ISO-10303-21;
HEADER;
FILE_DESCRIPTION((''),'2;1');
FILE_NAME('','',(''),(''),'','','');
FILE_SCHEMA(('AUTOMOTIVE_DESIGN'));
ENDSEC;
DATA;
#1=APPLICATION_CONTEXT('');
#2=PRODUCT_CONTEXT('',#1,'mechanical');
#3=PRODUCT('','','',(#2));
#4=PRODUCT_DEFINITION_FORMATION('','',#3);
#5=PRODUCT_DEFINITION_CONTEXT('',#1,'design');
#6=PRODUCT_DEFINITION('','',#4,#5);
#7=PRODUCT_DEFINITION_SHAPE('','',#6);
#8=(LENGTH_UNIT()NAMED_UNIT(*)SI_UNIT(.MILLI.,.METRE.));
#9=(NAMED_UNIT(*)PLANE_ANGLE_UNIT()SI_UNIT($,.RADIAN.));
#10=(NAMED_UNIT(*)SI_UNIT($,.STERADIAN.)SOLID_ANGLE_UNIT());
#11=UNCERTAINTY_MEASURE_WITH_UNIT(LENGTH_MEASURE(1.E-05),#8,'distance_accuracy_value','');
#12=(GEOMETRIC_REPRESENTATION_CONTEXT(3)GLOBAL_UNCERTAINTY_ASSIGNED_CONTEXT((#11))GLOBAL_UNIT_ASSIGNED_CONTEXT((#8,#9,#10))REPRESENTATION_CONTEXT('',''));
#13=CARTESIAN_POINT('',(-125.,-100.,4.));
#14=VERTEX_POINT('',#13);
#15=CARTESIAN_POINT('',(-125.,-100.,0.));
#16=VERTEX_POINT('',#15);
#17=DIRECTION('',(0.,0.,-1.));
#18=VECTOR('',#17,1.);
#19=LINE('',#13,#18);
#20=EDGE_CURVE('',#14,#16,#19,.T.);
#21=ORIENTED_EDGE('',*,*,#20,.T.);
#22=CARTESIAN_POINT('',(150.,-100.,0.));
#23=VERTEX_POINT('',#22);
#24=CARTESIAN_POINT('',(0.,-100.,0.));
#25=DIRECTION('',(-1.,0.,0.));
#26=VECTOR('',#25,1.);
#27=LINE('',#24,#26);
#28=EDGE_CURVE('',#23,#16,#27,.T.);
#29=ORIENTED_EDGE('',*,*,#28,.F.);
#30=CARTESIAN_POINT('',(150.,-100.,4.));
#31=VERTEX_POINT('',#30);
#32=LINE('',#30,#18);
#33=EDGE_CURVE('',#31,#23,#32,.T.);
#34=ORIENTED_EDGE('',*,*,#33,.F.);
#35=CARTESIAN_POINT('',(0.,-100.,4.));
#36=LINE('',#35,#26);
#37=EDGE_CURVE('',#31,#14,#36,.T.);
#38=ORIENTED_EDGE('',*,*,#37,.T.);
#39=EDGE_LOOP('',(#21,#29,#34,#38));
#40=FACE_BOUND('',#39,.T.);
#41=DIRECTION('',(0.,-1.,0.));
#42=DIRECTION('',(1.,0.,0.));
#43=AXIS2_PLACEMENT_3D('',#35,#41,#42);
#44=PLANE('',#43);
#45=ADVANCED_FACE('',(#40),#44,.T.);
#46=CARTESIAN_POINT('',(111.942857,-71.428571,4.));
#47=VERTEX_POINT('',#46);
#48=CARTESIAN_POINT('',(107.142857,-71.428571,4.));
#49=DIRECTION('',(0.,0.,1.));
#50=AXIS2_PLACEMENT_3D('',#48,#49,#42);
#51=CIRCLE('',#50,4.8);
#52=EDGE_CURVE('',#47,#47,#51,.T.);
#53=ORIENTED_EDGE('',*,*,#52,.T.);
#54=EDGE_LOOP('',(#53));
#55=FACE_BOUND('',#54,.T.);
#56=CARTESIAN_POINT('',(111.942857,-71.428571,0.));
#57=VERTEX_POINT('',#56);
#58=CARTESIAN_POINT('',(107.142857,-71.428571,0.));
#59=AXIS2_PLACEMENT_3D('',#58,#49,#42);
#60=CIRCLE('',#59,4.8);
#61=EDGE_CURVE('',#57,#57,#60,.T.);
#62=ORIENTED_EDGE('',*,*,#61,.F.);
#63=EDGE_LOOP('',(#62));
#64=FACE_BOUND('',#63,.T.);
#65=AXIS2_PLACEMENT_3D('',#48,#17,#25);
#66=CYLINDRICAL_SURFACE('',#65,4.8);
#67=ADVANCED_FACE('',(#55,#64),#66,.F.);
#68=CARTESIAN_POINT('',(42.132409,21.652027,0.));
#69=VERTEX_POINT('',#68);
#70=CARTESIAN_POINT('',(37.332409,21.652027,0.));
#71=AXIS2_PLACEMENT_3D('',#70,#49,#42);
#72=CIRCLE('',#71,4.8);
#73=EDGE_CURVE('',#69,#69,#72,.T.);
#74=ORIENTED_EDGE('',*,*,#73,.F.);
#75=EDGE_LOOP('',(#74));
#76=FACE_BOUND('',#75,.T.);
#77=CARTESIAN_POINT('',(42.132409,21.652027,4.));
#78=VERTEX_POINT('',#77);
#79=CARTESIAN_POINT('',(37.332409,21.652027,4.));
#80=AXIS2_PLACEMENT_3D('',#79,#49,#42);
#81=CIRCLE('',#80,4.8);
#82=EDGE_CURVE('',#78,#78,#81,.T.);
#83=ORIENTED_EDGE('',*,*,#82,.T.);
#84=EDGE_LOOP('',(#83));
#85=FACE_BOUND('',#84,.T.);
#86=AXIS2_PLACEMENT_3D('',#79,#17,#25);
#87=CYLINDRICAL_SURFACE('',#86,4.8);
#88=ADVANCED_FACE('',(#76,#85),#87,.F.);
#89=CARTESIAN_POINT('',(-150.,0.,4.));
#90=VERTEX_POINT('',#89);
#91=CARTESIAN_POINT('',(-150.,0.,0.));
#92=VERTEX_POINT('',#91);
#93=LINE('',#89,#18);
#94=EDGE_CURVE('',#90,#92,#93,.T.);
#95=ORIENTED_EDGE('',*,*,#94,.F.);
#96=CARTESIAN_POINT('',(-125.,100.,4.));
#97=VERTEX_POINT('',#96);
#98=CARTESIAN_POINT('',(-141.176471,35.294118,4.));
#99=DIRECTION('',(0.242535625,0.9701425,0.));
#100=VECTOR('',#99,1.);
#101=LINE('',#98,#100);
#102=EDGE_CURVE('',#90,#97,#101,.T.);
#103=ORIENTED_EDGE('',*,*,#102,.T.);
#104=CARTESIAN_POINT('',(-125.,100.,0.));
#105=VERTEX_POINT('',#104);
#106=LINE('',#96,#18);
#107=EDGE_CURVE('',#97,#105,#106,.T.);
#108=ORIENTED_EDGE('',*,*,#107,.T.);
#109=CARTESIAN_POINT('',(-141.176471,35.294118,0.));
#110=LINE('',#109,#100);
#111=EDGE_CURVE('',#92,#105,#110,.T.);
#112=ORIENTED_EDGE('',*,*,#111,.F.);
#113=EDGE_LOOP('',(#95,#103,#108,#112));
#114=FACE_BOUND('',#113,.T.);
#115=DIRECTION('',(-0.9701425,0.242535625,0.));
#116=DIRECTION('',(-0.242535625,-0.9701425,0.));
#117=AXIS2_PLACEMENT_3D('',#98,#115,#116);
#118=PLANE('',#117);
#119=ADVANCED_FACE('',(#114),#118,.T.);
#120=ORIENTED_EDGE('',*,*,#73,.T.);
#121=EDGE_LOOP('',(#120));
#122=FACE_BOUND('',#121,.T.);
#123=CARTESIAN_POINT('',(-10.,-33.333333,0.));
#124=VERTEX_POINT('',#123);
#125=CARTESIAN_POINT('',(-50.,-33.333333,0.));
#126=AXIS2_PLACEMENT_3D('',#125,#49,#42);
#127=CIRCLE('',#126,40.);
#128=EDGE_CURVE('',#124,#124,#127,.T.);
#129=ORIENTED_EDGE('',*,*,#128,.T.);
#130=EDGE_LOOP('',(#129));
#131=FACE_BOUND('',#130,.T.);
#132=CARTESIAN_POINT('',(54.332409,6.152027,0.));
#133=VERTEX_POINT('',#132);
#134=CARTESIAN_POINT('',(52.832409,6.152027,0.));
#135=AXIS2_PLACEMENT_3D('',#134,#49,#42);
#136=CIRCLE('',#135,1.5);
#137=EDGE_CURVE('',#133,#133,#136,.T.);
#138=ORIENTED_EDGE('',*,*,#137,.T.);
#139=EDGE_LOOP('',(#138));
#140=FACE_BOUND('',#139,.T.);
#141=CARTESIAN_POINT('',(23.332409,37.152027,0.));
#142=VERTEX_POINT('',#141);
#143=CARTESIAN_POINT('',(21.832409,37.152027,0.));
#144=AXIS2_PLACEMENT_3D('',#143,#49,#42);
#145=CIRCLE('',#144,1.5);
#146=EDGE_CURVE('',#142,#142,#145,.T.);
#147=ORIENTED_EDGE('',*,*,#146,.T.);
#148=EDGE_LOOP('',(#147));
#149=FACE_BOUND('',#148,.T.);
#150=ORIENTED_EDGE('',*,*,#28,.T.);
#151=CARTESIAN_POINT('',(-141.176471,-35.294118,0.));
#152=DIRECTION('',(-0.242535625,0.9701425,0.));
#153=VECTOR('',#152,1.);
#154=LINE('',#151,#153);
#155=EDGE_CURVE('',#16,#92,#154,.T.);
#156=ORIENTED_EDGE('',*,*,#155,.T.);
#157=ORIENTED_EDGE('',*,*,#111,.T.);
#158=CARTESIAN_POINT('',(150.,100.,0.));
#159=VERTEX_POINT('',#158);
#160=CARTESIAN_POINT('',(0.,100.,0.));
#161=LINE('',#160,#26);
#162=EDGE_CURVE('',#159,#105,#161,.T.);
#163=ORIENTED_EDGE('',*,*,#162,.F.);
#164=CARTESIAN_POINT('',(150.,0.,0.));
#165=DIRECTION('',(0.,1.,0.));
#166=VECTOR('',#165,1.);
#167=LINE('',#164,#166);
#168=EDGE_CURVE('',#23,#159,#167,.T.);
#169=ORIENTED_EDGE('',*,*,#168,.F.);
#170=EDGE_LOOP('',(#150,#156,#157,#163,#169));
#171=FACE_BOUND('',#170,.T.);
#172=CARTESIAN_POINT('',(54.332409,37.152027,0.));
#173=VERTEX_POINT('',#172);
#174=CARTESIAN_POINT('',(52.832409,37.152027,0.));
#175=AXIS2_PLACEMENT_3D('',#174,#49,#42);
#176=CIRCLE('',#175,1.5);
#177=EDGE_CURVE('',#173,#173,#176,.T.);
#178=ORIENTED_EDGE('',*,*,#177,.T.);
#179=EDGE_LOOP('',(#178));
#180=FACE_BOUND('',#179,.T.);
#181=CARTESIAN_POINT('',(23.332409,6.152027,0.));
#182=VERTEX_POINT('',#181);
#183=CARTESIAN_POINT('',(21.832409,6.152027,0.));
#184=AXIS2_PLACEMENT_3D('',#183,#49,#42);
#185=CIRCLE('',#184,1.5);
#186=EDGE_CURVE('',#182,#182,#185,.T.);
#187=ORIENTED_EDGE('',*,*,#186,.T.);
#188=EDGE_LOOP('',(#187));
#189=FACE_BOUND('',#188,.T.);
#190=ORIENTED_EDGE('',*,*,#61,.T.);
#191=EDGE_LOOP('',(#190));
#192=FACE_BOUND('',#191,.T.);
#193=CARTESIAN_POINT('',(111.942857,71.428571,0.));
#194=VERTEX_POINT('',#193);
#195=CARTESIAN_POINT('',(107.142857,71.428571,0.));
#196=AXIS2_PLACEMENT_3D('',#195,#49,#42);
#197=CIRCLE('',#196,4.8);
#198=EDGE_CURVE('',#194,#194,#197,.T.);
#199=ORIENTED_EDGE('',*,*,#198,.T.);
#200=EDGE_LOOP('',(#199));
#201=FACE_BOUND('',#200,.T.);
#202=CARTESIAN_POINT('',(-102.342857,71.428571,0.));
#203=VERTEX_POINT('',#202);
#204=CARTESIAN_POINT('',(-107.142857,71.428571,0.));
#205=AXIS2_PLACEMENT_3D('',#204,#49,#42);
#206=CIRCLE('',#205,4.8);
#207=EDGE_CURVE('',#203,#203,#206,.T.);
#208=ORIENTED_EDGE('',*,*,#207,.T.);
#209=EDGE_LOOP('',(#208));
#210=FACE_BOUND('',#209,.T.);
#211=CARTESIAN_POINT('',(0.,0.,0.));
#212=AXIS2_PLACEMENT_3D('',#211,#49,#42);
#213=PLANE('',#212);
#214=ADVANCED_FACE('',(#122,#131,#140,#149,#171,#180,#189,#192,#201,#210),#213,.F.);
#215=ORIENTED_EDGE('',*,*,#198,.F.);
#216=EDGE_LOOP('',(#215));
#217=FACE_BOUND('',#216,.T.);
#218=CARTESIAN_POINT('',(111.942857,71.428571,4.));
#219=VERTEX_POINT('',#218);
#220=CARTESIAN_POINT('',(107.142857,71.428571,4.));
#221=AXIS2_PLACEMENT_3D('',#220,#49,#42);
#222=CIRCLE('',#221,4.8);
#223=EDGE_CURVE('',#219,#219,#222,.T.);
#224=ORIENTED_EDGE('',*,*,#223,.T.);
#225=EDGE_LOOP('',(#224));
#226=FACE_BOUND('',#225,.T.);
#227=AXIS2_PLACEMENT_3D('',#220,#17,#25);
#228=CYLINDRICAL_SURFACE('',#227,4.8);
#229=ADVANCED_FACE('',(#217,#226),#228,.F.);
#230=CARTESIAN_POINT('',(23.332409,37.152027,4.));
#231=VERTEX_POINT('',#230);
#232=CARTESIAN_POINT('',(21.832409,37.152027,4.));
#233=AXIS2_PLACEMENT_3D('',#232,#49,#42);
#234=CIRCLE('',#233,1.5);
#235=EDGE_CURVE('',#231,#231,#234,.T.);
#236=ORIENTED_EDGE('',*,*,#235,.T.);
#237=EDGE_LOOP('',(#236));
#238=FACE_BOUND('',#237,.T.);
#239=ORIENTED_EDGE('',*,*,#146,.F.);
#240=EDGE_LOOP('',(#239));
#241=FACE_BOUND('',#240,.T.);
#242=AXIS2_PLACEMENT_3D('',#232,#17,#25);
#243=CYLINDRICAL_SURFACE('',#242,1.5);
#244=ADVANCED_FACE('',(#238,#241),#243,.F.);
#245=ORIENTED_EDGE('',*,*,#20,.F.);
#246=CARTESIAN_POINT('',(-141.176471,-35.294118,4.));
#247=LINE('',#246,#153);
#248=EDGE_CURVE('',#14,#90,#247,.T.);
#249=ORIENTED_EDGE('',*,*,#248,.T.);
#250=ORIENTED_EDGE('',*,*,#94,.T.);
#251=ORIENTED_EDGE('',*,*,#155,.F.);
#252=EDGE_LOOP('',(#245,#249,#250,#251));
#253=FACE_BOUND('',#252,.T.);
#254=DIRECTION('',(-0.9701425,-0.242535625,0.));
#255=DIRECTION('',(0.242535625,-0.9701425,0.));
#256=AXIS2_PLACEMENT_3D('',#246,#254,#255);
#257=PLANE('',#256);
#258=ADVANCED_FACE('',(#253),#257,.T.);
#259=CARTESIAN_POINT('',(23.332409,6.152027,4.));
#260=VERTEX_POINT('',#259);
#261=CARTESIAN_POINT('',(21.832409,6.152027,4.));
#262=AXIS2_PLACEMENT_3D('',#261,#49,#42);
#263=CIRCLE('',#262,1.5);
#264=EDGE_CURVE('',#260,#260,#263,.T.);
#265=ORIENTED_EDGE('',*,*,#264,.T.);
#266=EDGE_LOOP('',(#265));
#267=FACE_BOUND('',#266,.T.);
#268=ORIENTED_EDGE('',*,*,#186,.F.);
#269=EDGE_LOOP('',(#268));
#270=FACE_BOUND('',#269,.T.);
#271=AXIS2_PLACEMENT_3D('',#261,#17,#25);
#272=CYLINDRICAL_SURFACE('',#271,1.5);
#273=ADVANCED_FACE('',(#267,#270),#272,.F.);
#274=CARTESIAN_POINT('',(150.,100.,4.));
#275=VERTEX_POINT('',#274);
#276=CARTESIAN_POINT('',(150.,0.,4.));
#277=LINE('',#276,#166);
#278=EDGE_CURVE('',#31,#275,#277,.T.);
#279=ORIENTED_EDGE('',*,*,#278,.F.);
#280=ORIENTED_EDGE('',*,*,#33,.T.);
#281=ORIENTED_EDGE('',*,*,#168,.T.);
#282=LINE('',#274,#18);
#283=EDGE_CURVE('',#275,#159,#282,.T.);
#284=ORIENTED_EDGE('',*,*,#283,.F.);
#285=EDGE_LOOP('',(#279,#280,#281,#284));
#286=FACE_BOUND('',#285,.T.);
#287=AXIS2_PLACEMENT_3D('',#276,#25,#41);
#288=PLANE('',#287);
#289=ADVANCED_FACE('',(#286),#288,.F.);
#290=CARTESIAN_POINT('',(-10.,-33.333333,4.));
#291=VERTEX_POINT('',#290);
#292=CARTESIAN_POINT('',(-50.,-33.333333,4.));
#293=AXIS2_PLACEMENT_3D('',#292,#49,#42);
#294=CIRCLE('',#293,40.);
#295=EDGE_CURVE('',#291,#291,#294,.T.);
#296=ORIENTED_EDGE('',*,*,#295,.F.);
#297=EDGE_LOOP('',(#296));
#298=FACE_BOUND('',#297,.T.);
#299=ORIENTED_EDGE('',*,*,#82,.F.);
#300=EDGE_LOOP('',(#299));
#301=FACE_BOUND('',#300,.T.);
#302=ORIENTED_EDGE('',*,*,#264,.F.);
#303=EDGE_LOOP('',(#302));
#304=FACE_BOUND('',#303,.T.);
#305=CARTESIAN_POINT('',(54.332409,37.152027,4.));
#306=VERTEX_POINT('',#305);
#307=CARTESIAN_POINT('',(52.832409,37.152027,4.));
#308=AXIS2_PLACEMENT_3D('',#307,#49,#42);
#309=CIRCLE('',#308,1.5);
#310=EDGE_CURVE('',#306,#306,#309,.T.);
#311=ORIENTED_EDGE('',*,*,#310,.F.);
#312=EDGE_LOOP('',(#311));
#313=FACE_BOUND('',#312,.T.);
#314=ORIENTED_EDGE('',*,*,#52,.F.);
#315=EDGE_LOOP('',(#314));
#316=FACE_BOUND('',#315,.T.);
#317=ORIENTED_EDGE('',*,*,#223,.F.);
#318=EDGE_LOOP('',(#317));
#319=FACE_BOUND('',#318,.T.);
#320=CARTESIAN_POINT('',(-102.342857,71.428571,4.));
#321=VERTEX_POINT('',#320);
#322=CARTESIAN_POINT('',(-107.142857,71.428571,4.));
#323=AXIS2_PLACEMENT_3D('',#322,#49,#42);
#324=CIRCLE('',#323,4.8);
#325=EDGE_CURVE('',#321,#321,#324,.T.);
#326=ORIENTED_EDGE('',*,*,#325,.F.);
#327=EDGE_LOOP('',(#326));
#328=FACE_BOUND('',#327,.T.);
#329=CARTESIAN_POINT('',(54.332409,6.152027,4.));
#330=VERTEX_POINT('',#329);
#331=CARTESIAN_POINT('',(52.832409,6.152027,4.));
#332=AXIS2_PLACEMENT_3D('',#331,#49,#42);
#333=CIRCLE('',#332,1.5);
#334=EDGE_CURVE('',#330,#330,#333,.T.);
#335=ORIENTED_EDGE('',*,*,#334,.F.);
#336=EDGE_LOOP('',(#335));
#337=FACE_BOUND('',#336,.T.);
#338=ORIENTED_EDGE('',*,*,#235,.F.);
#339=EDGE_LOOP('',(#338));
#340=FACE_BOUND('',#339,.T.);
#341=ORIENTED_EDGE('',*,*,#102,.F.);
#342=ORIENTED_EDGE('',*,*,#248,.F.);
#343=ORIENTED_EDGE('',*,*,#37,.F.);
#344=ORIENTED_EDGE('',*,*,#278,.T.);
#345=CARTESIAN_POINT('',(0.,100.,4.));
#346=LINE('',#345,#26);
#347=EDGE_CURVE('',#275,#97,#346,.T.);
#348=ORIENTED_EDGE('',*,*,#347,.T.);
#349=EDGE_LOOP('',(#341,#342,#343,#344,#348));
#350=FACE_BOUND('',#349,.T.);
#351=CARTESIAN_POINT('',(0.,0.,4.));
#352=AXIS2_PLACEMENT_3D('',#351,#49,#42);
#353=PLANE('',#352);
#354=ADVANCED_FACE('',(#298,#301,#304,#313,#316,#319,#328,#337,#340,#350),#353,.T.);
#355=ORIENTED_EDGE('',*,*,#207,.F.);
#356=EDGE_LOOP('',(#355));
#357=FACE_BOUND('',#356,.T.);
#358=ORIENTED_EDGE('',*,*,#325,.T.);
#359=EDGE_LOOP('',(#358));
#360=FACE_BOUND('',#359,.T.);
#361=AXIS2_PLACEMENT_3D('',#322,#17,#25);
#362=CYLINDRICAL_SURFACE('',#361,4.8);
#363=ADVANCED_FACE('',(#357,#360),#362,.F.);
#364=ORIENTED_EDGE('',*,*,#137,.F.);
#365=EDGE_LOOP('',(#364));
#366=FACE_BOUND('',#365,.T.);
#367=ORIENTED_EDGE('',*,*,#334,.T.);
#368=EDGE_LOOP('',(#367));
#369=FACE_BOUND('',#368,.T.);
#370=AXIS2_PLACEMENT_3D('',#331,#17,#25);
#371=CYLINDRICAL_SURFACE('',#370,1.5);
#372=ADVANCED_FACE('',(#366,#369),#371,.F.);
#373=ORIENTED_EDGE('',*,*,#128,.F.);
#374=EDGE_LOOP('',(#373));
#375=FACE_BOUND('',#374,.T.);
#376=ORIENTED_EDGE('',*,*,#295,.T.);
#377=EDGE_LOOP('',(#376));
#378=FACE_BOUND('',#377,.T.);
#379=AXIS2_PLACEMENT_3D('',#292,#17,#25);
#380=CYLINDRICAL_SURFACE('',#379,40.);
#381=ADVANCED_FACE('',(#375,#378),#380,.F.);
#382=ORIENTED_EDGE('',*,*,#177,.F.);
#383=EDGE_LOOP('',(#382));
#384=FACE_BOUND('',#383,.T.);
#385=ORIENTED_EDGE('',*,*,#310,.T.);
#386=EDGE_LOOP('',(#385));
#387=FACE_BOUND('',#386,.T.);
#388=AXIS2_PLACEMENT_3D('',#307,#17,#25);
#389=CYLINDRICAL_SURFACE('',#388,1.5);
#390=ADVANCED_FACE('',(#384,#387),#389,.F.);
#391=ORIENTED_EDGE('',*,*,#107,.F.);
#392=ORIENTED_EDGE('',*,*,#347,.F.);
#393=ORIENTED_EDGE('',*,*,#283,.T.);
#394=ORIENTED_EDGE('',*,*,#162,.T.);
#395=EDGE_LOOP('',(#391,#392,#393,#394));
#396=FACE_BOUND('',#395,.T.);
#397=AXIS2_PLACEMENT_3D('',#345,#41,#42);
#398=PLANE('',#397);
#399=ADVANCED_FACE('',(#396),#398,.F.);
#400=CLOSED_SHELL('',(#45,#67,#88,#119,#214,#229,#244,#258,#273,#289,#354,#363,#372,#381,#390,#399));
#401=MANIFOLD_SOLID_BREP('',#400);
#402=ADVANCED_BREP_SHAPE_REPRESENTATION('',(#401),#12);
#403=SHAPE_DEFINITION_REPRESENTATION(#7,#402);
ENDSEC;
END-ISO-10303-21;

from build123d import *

# Parameters (mm, degrees)
SKETCH1_R           = 40
SKETCH1_R_2         = 4.8
SKETCH1_R_3         = 1.5
BOSS_EXTRUDE3_DEPTH = 4


with BuildPart() as part:
    # Sketch1 → Boss-Extrude3 (new body)
    with BuildSketch(Plane.XY):
        Polygon((-125, -100), (150, -100), (150, 100), (-125, 100), (-150, 0), align=None)
        with Locations((-50, -33.333333333)):
            Circle(SKETCH1_R, mode=Mode.SUBTRACT)
        with Locations((107.142857143, -71.428571429)):
            Circle(SKETCH1_R_2, mode=Mode.SUBTRACT)
        with Locations((-107.142857143, 71.428571429)):
            Circle(SKETCH1_R_2, mode=Mode.SUBTRACT)
        with Locations((21.832408692, 6.152026506)):
            Circle(SKETCH1_R_3, mode=Mode.SUBTRACT)
        with Locations((37.332408692, 21.652026506)):
            Circle(SKETCH1_R_2, mode=Mode.SUBTRACT)
        with Locations((52.832408692, 6.152026506)):
            Circle(SKETCH1_R_3, mode=Mode.SUBTRACT)
        with Locations((21.832408692, 37.152026506)):
            Circle(SKETCH1_R_3, mode=Mode.SUBTRACT)
        with Locations((52.832408692, 37.152026506)):
            Circle(SKETCH1_R_3, mode=Mode.SUBTRACT)
        with Locations((107.142857143, 71.428571429)):
            Circle(SKETCH1_R_2, mode=Mode.SUBTRACT)
    extrude(amount=BOSS_EXTRUDE3_DEPTH)


solid = part.part
